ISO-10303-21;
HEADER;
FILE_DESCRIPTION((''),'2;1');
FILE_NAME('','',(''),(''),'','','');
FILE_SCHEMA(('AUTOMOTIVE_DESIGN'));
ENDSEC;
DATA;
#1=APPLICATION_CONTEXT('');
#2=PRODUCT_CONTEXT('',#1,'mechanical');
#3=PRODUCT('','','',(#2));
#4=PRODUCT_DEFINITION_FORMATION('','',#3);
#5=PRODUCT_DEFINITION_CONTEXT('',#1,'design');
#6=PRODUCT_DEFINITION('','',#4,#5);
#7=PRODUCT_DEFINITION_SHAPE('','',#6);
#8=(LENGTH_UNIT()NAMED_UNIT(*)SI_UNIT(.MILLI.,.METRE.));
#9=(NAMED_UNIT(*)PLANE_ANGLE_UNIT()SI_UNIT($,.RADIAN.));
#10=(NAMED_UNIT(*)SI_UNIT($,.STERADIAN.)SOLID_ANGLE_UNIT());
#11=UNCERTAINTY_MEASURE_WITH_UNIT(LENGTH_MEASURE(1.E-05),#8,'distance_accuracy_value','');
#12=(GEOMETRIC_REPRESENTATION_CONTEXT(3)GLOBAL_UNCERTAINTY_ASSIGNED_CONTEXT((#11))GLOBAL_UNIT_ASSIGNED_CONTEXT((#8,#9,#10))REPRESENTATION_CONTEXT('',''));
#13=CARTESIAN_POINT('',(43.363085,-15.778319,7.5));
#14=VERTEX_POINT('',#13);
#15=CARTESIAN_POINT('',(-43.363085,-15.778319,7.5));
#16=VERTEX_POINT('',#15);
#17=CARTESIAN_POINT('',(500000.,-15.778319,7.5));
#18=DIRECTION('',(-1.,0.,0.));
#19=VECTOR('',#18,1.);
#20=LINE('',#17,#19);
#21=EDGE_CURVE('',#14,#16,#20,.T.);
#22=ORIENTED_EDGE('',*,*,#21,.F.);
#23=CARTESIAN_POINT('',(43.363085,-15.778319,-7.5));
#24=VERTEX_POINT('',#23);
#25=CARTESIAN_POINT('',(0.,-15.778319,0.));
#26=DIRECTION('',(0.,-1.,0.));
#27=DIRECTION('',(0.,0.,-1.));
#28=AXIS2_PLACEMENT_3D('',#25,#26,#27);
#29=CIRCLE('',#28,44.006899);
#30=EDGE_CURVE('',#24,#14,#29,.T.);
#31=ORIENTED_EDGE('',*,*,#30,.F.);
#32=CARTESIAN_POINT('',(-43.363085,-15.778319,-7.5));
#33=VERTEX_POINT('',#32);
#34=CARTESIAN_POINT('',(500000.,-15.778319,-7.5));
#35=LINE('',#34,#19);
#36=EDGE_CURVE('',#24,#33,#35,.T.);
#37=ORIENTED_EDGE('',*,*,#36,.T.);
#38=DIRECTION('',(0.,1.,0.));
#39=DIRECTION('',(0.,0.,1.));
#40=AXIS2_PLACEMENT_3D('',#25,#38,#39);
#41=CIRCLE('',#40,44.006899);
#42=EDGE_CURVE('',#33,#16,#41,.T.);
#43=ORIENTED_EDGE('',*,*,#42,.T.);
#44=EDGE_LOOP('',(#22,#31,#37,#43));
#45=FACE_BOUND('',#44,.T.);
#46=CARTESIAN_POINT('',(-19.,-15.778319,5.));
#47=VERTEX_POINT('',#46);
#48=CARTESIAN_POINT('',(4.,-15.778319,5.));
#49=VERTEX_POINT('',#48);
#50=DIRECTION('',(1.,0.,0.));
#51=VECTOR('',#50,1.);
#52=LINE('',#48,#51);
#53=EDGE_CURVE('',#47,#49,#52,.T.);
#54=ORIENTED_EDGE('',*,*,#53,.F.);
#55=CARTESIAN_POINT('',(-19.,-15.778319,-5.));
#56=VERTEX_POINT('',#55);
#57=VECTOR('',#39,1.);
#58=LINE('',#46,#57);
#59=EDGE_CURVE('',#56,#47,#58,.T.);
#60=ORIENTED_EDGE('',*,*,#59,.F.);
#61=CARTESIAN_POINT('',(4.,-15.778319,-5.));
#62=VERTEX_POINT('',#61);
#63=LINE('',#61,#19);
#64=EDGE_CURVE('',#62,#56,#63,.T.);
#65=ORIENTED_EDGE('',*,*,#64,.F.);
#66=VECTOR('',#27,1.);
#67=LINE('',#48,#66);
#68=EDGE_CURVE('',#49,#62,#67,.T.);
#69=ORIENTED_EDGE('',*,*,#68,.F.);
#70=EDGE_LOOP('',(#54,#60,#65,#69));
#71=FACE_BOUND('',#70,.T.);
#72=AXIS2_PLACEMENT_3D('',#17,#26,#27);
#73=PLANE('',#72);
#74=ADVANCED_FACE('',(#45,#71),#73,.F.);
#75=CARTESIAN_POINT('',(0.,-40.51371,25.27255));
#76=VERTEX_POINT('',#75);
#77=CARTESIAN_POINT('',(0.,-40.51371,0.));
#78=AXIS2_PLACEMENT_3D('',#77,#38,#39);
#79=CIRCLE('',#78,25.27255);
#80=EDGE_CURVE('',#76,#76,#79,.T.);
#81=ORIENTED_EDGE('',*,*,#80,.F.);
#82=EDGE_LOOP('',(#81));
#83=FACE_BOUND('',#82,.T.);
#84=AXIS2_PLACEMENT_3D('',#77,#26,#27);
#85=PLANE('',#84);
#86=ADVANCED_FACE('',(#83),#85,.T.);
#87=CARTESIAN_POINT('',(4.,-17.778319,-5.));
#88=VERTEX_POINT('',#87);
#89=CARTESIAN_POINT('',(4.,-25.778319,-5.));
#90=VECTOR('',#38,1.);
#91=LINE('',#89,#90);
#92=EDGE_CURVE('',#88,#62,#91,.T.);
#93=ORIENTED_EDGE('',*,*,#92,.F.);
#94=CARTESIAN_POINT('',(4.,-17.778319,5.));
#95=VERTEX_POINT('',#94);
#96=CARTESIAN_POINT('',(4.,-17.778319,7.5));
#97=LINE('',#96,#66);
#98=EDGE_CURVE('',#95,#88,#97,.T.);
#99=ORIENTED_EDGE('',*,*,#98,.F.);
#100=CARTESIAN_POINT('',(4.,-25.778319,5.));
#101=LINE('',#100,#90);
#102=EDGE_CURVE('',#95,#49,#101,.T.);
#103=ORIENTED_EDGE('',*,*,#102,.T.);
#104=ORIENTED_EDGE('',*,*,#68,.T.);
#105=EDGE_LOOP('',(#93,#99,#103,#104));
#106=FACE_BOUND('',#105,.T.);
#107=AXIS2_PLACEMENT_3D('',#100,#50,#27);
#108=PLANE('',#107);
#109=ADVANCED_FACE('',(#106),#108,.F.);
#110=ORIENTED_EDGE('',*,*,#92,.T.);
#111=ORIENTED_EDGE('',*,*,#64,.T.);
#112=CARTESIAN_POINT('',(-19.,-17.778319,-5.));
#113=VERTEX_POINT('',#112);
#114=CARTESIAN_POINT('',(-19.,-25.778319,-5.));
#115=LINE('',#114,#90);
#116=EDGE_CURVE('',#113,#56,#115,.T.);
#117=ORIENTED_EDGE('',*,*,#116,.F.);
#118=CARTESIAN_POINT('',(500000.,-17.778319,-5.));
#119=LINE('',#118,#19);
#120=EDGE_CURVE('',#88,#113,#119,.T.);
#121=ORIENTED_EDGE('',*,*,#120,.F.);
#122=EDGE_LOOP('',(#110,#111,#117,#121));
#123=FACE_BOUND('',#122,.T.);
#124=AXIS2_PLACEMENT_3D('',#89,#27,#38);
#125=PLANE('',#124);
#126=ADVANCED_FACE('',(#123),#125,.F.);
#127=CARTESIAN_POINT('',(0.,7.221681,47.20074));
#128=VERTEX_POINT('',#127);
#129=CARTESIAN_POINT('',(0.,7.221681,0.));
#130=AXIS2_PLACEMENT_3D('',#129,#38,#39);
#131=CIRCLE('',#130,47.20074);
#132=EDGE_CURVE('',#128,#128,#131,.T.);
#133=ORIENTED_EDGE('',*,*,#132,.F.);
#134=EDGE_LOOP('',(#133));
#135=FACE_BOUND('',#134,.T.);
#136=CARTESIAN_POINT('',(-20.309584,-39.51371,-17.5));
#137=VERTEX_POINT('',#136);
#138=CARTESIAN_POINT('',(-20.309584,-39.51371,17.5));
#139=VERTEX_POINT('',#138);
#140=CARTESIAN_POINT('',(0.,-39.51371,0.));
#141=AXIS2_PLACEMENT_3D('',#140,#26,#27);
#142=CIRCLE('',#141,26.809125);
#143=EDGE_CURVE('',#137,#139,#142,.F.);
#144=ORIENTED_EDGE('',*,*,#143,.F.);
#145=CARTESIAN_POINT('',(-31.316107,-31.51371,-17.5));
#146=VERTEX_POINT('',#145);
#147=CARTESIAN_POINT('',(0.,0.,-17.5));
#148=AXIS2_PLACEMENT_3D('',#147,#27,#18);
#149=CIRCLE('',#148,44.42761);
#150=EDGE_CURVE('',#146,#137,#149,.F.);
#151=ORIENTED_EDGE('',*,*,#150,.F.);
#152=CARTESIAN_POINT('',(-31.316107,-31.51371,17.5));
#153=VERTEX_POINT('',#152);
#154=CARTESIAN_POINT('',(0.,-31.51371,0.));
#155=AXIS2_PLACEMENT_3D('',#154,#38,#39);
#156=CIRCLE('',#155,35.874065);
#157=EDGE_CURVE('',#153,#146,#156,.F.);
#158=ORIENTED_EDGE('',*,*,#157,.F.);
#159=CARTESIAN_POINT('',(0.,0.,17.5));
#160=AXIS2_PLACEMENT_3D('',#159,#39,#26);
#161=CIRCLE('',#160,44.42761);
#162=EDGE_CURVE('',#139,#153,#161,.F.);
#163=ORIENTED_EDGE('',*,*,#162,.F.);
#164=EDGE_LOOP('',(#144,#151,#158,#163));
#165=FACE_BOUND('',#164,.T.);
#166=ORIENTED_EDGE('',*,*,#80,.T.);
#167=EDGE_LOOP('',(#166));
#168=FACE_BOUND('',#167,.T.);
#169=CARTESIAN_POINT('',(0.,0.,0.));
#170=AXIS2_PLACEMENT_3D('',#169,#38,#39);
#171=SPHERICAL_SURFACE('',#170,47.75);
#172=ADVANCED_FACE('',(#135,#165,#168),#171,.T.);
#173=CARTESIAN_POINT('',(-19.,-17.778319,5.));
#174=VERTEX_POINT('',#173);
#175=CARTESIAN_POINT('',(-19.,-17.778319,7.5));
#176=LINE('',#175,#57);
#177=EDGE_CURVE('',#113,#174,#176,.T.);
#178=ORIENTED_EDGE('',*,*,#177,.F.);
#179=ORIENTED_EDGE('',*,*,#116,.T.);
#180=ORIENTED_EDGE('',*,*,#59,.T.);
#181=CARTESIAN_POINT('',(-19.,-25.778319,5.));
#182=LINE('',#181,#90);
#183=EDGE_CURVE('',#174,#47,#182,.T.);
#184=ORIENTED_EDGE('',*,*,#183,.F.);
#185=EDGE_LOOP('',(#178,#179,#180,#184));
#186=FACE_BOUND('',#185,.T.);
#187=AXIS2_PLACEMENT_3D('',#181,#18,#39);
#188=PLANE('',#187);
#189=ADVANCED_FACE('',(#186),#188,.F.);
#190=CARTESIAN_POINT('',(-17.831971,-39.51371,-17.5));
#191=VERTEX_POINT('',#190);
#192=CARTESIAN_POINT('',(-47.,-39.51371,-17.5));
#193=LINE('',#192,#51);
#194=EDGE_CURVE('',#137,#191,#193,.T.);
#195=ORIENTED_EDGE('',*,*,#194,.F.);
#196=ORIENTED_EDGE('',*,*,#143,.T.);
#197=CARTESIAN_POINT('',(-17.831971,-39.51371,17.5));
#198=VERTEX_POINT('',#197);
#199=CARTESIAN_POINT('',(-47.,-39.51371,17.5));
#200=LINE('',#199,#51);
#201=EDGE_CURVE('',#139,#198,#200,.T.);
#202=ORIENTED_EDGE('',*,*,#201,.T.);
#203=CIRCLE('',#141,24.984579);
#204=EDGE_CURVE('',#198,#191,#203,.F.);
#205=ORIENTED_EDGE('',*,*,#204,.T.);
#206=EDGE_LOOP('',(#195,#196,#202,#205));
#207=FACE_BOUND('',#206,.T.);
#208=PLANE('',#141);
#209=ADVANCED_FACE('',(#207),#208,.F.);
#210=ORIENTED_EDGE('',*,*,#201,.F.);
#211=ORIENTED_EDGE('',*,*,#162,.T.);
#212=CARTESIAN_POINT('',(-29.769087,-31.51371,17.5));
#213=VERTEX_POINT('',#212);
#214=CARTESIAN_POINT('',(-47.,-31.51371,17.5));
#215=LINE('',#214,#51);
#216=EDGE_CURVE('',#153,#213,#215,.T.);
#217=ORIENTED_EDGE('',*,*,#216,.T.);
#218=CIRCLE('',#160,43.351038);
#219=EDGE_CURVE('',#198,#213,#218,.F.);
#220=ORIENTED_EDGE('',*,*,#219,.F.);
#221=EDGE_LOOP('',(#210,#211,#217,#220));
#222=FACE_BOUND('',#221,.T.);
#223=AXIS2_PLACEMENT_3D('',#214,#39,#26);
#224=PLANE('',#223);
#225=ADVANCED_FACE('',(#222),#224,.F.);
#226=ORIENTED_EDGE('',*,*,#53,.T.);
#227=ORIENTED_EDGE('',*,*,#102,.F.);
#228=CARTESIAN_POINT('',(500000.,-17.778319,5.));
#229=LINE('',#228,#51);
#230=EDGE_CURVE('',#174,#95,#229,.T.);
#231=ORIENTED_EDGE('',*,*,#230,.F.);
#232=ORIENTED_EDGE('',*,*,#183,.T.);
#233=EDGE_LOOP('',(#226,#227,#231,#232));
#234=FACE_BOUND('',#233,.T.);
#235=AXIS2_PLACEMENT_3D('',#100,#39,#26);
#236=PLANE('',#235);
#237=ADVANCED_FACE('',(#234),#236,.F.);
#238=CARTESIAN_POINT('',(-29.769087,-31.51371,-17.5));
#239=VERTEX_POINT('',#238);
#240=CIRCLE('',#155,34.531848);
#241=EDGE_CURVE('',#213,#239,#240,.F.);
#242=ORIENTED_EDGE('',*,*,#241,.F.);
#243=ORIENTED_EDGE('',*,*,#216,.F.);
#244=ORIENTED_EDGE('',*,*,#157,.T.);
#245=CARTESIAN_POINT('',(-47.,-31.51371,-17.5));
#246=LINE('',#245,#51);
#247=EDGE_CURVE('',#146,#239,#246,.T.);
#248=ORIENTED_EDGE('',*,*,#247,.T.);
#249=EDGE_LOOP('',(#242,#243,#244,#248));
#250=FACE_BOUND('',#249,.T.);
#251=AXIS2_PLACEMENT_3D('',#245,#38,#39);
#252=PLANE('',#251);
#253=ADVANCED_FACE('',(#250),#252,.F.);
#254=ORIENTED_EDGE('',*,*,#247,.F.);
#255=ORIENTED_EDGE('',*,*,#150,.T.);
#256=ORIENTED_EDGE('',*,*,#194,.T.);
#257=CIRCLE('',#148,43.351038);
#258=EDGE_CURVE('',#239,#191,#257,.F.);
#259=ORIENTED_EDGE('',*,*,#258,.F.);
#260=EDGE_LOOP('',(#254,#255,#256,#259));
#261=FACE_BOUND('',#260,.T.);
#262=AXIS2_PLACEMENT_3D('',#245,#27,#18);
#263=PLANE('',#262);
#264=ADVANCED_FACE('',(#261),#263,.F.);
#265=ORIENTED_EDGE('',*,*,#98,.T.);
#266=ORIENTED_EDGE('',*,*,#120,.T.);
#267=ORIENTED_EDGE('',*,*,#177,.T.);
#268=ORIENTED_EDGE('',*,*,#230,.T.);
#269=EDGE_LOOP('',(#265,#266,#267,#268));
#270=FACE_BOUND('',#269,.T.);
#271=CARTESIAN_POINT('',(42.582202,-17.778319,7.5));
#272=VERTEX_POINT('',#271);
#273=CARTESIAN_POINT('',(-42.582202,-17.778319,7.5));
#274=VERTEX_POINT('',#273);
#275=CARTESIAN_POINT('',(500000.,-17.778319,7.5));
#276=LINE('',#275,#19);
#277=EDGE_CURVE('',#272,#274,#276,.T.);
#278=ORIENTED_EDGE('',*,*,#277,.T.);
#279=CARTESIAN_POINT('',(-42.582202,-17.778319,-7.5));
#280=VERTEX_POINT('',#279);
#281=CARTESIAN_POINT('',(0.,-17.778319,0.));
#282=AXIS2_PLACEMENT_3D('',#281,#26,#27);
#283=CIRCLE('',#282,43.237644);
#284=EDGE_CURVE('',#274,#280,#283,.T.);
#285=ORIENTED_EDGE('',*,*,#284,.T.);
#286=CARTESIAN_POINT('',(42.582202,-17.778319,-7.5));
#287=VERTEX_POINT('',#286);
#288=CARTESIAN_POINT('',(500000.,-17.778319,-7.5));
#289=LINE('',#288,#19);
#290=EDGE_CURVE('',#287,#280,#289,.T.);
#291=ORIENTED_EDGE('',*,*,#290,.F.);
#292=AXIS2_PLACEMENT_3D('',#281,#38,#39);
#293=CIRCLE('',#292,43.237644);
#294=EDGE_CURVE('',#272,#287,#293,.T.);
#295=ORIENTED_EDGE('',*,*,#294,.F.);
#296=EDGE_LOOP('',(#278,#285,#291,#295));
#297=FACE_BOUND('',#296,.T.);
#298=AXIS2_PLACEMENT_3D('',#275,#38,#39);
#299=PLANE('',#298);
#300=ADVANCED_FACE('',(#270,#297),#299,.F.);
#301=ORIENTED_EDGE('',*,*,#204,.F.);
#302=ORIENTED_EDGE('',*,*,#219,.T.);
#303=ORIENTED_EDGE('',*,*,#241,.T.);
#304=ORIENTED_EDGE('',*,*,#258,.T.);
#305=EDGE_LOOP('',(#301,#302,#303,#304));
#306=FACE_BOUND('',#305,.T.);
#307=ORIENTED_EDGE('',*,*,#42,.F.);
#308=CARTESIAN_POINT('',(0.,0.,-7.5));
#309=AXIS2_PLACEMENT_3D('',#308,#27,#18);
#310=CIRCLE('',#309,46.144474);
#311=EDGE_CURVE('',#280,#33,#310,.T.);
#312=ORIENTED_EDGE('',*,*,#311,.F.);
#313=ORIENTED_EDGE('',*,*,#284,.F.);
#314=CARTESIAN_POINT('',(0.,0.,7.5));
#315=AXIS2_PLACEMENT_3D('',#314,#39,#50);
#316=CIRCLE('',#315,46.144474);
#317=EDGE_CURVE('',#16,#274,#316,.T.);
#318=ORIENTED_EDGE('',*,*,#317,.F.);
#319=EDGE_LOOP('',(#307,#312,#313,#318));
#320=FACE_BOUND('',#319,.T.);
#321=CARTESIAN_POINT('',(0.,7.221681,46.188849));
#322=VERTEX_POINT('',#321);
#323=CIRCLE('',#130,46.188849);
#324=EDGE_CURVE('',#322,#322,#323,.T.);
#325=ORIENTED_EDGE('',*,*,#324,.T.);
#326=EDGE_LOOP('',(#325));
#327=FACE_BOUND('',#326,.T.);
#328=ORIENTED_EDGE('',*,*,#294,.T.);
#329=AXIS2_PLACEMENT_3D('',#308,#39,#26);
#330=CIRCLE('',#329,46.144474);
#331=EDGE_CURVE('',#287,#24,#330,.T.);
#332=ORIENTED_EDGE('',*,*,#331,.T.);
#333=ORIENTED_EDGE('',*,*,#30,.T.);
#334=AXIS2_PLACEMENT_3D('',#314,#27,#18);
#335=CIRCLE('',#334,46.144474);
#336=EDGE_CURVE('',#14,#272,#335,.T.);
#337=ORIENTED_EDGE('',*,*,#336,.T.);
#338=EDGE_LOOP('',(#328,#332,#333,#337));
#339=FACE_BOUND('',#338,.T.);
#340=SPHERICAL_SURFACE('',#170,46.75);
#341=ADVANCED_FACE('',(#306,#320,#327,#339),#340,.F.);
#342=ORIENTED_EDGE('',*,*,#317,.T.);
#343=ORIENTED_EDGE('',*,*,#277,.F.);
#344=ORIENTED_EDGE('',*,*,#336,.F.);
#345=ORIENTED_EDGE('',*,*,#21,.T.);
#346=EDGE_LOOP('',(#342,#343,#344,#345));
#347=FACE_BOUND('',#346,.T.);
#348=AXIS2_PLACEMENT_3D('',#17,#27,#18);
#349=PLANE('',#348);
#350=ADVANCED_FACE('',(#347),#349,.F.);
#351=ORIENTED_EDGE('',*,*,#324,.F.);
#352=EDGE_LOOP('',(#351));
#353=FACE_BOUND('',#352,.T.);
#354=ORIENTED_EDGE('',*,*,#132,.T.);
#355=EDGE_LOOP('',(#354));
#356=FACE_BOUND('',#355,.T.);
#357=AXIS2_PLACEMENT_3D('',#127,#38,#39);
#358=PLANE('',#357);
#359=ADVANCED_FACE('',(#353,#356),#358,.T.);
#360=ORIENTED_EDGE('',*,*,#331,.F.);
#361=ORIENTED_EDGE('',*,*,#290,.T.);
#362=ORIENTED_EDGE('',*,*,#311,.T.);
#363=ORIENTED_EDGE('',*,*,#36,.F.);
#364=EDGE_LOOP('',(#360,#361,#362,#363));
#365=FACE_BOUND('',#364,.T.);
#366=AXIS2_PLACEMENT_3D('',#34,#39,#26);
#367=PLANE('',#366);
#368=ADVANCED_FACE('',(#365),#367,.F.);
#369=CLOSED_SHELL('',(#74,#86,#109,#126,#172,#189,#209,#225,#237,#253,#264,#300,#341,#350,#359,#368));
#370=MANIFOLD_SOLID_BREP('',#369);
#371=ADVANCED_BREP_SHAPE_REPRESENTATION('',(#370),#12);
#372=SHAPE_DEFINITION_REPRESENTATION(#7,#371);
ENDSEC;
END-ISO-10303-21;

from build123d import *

# Parameters (mm, degrees)
SHELL_1_T            = -1
EXTRUDE_1_REACH      = 80.75
EXTRUDE_1_END_RADIUS = 46.75
SKETCH_2_W           = 15
SKETCH_2_H           = 2
EXTRUDE_2_REACH      = 80.75
SKETCH_4_W           = 15
SKETCH_4_H           = 2
SKETCH_5_W           = 23
SKETCH_5_H           = 10
CUT_EXTRUDE_1_DEPTH  = 10
SKETCH_6_W           = 35
SKETCH_6_H           = 8
CUT_EXTRUDE_2_DEPTH  = 47


with BuildPart() as part:
    # 草图1 → 旋转1 (revolve)
    with BuildSketch(Plane(origin=(0, 0, 0), x_dir=(0, 0, -1), z_dir=(1, 0, 0))):
        with BuildLine():
            Line((-47.200739576, 7.221681487), (0, 7.221681487))
            Line((0, 7.221681487), (0, -40.513710474))
            Line((0, -40.513710474), (-25.272549608, -40.513710474))
            ThreePointArc((-25.272549608, -40.513710474), (-43.390797673, -19.932415241), (-47.200739576, 7.221681487))
        make_face()
    revolve(axis=Axis((0, 7.221681487, 0), (0, -1, 0)))

    # 抽壳1
    shell_1_openings = [part.faces().sort_by_distance(p)[0] for p in [
        (0, 7.221681487, 0),
    ]]
    offset(amount=SHELL_1_T, openings=shell_1_openings, kind=Kind.INTERSECTION)

    # 凸台-拉伸1: up to this sphere (the profile starts inside it)
    extrude_1_end = Location((0, 0, 0)) * Sphere(EXTRUDE_1_END_RADIUS, mode=Mode.PRIVATE)
    # 草图2 → 凸台-拉伸1 (add, up to the surface)
    with BuildSketch(Plane(origin=(0, 0, 0), x_dir=(0, 0, -1), z_dir=(1, 0, 0)), mode=Mode.PRIVATE) as extrude_1_sk1:
        with Locations((0, -16.778318513)):
            Rectangle(SKETCH_2_W, SKETCH_2_H)
    extrude_1_tool1 = extrude(extrude_1_sk1.sketch, amount=EXTRUDE_1_REACH, mode=Mode.PRIVATE) & extrude_1_end
    add(extrude_1_tool1.solids().sort_by_distance((0, -16.778319, 0))[0])

    # 草图4 → 凸台-拉伸2 (add, up to next)
    with BuildSketch(Plane(origin=(0, 0, 0), x_dir=(0, 0, -1), z_dir=(1, 0, 0)), mode=Mode.PRIVATE) as extrude_2_sk1:
        with Locations((0, -16.778318513)):
            Rectangle(SKETCH_4_W, SKETCH_4_H)
    extrude_2_tool1 = extrude(extrude_2_sk1.sketch, amount=-EXTRUDE_2_REACH, mode=Mode.PRIVATE) - part.part
    add(extrude_2_tool1.solids().sort_by_distance((0, -16.778319, 0))[0])

    # 草图5 → 切除-拉伸1 (cut)
    with BuildSketch(Plane(origin=(0, -15.778318513, 0), x_dir=(1, 0, 0), z_dir=(0, 1, 0))):
        with Locations((-7.5, 0)):
            Rectangle(SKETCH_5_W, SKETCH_5_H)
    extrude(amount=-CUT_EXTRUDE_1_DEPTH, mode=Mode.SUBTRACT)

    # 草图6 → 切除-拉伸2 (cut)
    with BuildSketch(Plane(origin=(0, 0, 0), x_dir=(0, 0, -1), z_dir=(1, 0, 0))):
        with Locations((0, -35.513710474)):
            Rectangle(SKETCH_6_W, SKETCH_6_H)
    extrude(amount=-CUT_EXTRUDE_2_DEPTH, mode=Mode.SUBTRACT)


solid = part.part
